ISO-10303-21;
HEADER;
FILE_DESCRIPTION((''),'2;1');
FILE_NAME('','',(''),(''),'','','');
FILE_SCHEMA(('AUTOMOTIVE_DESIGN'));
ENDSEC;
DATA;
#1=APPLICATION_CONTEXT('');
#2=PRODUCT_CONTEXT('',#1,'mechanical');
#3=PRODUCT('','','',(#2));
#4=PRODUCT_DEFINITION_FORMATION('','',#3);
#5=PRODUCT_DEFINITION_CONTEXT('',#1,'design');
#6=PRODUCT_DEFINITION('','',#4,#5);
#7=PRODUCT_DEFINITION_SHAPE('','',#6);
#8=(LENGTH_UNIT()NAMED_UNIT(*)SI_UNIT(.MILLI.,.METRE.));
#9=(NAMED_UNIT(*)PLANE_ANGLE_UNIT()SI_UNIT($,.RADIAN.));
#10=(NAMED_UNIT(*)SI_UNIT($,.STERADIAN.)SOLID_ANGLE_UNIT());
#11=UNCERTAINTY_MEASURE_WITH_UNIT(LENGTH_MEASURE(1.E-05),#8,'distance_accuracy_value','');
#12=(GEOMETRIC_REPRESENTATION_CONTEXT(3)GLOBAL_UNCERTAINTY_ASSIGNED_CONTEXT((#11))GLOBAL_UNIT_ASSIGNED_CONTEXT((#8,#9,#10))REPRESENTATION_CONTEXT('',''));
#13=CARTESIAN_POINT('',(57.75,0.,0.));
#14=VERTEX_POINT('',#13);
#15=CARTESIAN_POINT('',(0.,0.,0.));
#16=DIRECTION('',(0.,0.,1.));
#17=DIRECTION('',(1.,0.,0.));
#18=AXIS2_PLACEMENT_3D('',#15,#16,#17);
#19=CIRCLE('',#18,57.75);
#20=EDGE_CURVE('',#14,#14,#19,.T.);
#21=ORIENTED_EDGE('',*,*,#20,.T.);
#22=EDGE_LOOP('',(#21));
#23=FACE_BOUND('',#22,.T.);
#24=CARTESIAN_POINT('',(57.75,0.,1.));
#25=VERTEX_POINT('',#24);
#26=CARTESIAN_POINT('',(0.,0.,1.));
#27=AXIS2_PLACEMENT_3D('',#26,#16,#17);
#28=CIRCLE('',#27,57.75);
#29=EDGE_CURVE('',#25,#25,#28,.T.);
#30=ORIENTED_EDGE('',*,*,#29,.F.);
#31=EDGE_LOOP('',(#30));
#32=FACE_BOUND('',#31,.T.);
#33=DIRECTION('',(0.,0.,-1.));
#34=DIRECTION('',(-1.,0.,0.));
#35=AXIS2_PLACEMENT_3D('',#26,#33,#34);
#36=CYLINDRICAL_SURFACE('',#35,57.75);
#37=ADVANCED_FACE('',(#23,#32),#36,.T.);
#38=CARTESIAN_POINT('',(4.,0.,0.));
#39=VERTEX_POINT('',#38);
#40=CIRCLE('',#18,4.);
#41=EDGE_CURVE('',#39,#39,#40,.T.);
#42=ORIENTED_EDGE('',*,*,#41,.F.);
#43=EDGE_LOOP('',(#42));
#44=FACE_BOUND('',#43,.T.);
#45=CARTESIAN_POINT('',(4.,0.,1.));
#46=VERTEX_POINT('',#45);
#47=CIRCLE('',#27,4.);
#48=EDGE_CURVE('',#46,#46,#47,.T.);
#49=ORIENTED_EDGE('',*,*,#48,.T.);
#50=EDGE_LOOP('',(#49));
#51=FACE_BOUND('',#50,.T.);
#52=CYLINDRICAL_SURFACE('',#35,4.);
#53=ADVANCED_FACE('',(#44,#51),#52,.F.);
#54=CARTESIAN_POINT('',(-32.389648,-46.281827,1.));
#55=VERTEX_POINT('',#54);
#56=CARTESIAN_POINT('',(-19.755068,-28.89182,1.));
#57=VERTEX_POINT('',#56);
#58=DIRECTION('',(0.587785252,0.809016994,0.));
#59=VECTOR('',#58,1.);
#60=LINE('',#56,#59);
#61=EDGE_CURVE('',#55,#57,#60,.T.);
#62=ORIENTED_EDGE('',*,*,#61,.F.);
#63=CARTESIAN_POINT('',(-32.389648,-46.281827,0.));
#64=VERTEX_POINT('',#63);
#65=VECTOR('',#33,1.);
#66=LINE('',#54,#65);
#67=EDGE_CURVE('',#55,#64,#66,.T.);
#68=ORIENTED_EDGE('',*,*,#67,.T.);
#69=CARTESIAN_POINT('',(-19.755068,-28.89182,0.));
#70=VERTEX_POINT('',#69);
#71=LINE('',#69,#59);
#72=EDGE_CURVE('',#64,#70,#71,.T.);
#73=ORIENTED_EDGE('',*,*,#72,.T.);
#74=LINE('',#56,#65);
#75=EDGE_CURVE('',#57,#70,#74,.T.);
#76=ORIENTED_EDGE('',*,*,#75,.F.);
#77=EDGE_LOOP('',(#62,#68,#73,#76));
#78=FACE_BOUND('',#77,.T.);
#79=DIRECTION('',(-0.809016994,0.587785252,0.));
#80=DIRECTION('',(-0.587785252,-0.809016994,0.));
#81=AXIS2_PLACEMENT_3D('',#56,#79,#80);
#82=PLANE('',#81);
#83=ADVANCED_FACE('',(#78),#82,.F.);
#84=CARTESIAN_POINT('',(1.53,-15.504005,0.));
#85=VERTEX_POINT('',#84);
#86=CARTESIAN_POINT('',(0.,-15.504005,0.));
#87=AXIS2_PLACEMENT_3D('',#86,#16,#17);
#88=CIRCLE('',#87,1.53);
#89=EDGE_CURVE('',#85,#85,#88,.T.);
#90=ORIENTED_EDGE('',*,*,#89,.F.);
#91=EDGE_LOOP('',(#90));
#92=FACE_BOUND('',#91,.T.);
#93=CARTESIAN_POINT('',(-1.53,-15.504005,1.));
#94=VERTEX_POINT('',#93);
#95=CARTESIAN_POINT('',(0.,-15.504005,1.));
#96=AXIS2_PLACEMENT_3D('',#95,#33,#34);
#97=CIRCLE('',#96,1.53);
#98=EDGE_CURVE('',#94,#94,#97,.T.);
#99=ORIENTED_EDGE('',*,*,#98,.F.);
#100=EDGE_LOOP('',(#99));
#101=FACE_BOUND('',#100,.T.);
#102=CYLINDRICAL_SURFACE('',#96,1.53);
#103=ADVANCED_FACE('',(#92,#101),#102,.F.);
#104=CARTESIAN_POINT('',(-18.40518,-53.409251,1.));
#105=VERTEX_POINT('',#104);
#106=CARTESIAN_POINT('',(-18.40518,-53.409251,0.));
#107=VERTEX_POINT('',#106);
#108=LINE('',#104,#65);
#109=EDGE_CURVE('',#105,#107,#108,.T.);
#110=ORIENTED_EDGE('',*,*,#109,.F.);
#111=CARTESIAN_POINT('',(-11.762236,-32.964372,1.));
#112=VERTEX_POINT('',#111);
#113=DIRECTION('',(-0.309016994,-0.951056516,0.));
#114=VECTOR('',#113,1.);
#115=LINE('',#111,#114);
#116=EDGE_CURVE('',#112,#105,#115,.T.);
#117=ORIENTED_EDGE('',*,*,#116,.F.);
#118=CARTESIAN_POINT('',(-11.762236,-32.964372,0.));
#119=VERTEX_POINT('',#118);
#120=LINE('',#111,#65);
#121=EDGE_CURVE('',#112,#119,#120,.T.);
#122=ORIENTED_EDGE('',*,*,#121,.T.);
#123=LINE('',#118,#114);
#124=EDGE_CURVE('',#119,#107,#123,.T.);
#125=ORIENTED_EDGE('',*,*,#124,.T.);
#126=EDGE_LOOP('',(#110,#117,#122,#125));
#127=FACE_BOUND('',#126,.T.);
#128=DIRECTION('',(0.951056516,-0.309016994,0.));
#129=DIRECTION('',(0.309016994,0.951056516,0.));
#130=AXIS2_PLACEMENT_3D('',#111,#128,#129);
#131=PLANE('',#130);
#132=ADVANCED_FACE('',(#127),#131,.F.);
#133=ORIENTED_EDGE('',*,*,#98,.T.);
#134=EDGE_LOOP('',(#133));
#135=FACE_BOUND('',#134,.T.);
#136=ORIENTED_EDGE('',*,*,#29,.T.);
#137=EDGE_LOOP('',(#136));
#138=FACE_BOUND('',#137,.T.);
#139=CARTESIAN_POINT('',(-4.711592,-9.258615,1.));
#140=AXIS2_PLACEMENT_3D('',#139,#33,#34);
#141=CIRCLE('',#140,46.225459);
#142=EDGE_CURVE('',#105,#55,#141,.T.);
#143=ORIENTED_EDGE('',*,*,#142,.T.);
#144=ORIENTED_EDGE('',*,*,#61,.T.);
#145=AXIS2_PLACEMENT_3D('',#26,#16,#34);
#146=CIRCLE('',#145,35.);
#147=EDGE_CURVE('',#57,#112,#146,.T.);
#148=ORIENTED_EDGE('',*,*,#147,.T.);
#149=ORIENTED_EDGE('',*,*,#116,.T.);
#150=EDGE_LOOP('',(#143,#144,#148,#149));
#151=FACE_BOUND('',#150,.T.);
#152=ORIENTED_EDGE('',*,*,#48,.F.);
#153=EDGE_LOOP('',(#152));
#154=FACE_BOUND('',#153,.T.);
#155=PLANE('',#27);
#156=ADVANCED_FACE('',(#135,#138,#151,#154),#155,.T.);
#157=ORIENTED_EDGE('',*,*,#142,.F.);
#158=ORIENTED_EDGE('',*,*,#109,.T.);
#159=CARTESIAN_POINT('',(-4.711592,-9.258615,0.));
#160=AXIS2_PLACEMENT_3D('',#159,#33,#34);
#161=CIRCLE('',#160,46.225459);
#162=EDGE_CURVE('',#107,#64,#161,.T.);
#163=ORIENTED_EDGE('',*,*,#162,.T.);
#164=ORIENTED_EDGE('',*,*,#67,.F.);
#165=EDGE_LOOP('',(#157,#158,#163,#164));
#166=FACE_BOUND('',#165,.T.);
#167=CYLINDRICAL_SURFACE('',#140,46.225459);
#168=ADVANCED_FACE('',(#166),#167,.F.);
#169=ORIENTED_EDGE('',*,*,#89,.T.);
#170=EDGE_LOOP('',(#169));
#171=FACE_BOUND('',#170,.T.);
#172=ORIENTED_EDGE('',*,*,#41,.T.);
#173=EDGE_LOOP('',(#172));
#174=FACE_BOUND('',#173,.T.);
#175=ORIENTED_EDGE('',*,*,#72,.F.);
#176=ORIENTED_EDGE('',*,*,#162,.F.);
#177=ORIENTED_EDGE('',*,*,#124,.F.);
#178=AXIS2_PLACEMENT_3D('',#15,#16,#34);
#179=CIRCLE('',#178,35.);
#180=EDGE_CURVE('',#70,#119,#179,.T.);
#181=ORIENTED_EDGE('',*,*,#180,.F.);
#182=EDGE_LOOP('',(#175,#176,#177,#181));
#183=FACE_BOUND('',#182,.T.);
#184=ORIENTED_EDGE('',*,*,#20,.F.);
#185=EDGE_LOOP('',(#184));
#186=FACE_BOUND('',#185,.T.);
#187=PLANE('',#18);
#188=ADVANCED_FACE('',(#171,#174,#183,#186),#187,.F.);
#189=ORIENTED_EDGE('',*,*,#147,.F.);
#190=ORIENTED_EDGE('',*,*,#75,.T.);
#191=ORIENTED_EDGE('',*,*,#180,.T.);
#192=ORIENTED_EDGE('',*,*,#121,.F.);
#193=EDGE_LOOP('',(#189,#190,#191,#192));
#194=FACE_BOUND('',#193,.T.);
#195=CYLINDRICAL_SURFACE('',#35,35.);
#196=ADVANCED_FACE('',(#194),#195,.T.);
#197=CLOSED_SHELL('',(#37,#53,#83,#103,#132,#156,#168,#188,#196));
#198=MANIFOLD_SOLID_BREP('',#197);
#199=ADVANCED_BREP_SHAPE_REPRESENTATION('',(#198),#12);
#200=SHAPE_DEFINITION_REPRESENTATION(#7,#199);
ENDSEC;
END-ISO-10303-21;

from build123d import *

# Parameters (mm, degrees)
ESQUISSE1_R                  = 57.75
ESQUISSE1_R_2                = 4
BOSS_EXTRU_1_DEPTH           = 1
ENL_V_MAT_EXTRU_1_DEPTH      = 82.676955134
ENL_V_MAT_EXTRU_1_DEPTH_BACK = 82.676955134
ESQUISSE2_R                  = 1.53
ENL_V_MAT_EXTRU_2_DEPTH      = 1


with BuildPart() as part:
    # Esquisse1 → Boss.-Extru.1 (new body)
    with BuildSketch(Plane.XY):
        Circle(ESQUISSE1_R)
        Circle(ESQUISSE1_R_2, mode=Mode.SUBTRACT)
    extrude(amount=BOSS_EXTRU_1_DEPTH)

    # Esquisse2 → Enlèv. mat.-Extru.1 (cut, two sides: drawn at the far end of the back side and taken through both)
    with BuildSketch(Plane(origin=(0, 0, 0), x_dir=(-1, 0, 0), z_dir=(0, 0, -1)).offset(-ENL_V_MAT_EXTRU_1_DEPTH_BACK)):
        with Locations((0, -15.504004846)):
            Circle(ESQUISSE2_R)
    extrude(amount=ENL_V_MAT_EXTRU_1_DEPTH + ENL_V_MAT_EXTRU_1_DEPTH_BACK, mode=Mode.SUBTRACT)

    # Esquisse3 → Enlèv. mat.-Extru.2 (cut)
    with BuildSketch(Plane(origin=(0, 0, 0), x_dir=(-1, 0, 0), z_dir=(0, 0, -1))):
        with BuildLine():
            Line((19.755068189, -28.89182031), (32.389647952, -46.281827468))
            ThreePointArc((32.389647952, -46.281827468), (25.70214401, -50.443439565), (18.405179994, -53.409251489))
            Line((18.405179994, -53.409251489), (11.76223589, -32.96437178))
            ThreePointArc((11.76223589, -32.96437178), (15.889667491, -31.185228347), (19.755068189, -28.89182031))
        make_face()
    extrude(amount=-ENL_V_MAT_EXTRU_2_DEPTH, mode=Mode.SUBTRACT)


solid = part.part
